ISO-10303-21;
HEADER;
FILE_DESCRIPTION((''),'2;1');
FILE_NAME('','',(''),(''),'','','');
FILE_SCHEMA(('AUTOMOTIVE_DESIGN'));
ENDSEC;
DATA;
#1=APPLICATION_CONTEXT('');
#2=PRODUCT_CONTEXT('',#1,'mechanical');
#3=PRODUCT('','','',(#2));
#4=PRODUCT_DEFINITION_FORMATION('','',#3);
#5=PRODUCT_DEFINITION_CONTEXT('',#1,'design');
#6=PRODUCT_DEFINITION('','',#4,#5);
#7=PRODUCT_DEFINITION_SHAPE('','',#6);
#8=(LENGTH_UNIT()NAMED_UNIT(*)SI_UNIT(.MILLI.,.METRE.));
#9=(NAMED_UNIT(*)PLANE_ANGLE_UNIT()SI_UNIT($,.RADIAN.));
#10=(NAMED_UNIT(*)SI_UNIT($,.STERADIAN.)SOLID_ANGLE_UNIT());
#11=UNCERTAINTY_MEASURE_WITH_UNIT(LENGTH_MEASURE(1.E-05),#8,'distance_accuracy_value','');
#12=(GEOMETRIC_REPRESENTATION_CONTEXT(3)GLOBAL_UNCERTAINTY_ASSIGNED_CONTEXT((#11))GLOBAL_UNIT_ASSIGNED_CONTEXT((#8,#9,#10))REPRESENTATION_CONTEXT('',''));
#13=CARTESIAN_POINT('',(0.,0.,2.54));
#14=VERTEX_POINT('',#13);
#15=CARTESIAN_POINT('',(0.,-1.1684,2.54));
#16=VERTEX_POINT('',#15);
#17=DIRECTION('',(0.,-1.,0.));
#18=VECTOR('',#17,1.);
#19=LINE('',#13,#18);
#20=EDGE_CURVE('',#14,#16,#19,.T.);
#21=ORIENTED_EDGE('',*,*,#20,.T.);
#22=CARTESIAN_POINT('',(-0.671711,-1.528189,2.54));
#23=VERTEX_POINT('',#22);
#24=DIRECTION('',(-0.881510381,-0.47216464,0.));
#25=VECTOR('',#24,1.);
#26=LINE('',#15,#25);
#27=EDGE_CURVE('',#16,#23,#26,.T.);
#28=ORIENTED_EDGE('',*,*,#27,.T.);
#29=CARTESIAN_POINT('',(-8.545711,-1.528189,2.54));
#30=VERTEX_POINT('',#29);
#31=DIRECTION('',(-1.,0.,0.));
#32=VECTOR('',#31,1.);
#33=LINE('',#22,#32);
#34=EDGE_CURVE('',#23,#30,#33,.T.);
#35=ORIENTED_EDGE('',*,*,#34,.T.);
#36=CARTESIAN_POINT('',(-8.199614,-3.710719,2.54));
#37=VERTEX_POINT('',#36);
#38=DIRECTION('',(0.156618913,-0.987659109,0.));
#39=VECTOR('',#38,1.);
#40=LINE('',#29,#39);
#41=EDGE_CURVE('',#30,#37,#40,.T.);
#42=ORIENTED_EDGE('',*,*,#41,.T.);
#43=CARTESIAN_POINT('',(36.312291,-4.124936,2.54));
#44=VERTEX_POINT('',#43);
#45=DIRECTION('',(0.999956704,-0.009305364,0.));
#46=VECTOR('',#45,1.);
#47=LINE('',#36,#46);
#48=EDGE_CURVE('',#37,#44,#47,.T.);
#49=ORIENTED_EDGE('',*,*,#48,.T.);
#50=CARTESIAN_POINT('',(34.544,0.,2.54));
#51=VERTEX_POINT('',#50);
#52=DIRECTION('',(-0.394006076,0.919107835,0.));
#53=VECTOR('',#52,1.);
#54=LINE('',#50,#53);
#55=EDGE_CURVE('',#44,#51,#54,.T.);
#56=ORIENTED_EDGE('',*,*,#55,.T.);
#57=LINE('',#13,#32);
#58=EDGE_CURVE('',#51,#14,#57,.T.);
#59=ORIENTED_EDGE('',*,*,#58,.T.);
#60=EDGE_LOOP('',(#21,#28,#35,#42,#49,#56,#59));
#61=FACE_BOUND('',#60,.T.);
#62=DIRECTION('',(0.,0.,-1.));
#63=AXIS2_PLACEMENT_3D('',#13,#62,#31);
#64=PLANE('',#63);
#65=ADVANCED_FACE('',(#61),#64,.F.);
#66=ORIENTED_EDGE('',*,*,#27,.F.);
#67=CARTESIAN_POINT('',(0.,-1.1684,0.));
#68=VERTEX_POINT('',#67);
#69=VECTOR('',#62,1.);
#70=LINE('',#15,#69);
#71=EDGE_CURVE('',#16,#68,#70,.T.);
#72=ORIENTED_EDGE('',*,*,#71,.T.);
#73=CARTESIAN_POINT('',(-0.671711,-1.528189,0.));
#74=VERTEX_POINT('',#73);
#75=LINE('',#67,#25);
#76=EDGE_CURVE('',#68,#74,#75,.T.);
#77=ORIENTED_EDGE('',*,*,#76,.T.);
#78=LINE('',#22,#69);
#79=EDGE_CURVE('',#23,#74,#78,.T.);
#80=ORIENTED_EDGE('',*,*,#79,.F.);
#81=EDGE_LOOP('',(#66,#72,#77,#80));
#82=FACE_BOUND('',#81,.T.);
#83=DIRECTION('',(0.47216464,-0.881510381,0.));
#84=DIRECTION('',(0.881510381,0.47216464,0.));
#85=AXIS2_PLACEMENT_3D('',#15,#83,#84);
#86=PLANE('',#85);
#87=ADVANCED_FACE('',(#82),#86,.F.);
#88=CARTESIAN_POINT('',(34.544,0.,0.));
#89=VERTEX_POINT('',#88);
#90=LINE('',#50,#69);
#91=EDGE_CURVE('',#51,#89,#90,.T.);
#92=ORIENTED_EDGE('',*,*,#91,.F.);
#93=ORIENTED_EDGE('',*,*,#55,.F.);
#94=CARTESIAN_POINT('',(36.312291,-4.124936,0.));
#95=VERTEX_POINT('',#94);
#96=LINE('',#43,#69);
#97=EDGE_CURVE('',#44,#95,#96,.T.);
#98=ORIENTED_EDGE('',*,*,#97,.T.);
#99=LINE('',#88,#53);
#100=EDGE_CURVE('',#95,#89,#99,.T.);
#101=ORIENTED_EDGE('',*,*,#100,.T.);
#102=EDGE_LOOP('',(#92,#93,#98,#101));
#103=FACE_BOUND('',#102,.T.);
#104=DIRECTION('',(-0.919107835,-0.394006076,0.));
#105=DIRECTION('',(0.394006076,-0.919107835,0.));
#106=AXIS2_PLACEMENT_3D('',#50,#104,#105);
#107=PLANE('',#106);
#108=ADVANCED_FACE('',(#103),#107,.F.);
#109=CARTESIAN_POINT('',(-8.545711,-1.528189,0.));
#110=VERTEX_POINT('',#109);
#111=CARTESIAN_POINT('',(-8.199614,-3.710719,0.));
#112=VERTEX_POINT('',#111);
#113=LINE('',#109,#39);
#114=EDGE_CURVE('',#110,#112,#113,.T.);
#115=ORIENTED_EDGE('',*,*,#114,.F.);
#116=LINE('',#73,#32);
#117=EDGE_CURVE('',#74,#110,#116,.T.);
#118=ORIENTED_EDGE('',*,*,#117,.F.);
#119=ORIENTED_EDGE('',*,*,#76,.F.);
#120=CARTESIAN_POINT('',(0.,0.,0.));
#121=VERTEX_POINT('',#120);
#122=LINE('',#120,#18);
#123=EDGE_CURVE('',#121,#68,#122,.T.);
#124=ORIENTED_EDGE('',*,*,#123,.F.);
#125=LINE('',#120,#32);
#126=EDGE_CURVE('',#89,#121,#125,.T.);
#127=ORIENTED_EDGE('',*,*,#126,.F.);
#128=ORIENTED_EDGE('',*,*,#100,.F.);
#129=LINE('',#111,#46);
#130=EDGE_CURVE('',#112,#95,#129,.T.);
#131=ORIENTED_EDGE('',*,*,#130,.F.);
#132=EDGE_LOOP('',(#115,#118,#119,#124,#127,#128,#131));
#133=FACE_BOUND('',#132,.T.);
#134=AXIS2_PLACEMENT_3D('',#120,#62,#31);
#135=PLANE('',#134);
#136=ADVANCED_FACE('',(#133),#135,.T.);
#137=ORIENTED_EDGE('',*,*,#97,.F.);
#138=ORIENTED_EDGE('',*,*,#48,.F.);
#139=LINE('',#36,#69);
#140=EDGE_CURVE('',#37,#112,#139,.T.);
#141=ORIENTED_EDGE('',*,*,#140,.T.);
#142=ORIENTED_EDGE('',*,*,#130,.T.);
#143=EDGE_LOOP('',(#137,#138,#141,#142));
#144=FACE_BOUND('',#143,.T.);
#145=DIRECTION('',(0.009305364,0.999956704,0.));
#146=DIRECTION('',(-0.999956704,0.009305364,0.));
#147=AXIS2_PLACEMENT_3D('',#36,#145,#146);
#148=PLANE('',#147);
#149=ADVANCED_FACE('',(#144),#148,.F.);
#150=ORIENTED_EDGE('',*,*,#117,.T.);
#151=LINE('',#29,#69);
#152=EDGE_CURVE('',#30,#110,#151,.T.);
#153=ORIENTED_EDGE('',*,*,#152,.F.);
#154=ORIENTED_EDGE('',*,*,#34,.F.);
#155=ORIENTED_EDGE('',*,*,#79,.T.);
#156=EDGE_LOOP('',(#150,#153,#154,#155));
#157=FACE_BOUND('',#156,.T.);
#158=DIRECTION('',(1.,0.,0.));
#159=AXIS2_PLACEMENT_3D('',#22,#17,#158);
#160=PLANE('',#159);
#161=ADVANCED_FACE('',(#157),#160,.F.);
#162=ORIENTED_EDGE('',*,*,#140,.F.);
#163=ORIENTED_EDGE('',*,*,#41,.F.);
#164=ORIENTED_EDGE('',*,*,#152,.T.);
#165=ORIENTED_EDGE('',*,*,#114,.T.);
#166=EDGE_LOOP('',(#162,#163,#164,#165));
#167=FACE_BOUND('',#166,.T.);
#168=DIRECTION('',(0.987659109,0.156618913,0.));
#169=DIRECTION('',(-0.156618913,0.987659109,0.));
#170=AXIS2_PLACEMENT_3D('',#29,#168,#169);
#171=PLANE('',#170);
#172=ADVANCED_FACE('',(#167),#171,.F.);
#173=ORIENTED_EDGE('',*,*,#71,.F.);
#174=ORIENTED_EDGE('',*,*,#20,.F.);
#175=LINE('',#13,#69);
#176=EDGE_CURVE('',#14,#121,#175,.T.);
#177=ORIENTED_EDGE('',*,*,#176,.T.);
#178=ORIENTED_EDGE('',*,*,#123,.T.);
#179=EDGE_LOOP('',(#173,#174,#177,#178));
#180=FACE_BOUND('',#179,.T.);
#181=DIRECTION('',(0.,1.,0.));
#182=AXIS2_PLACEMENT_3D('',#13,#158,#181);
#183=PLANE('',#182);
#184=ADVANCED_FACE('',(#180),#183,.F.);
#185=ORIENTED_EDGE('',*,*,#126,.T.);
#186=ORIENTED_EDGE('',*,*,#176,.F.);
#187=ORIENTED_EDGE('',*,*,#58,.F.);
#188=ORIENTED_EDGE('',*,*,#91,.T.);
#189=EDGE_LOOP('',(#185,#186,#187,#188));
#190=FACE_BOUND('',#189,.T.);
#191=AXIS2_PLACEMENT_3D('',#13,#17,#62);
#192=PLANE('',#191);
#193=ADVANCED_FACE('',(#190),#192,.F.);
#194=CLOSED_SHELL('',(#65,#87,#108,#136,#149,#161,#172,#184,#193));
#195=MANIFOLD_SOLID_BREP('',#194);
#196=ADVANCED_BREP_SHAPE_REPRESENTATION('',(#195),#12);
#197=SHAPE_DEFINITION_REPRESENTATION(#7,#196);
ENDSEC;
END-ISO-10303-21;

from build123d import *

# Parameters (mm, degrees)
BOSS_EXTRUDE1_DEPTH = 2.54


with BuildPart() as part:
    # Sketch1 → Boss-Extrude1 (new body)
    with BuildSketch(Plane.XY):
        Polygon((0, 0), (34.544, 0), (36.312290702, -4.124935973), (-8.199614436, -3.710718555), (-8.545710911, -1.528189456), (-0.671710911, -1.528189456), (0, -1.1684), align=None)
    extrude(amount=BOSS_EXTRUDE1_DEPTH)


solid = part.part
